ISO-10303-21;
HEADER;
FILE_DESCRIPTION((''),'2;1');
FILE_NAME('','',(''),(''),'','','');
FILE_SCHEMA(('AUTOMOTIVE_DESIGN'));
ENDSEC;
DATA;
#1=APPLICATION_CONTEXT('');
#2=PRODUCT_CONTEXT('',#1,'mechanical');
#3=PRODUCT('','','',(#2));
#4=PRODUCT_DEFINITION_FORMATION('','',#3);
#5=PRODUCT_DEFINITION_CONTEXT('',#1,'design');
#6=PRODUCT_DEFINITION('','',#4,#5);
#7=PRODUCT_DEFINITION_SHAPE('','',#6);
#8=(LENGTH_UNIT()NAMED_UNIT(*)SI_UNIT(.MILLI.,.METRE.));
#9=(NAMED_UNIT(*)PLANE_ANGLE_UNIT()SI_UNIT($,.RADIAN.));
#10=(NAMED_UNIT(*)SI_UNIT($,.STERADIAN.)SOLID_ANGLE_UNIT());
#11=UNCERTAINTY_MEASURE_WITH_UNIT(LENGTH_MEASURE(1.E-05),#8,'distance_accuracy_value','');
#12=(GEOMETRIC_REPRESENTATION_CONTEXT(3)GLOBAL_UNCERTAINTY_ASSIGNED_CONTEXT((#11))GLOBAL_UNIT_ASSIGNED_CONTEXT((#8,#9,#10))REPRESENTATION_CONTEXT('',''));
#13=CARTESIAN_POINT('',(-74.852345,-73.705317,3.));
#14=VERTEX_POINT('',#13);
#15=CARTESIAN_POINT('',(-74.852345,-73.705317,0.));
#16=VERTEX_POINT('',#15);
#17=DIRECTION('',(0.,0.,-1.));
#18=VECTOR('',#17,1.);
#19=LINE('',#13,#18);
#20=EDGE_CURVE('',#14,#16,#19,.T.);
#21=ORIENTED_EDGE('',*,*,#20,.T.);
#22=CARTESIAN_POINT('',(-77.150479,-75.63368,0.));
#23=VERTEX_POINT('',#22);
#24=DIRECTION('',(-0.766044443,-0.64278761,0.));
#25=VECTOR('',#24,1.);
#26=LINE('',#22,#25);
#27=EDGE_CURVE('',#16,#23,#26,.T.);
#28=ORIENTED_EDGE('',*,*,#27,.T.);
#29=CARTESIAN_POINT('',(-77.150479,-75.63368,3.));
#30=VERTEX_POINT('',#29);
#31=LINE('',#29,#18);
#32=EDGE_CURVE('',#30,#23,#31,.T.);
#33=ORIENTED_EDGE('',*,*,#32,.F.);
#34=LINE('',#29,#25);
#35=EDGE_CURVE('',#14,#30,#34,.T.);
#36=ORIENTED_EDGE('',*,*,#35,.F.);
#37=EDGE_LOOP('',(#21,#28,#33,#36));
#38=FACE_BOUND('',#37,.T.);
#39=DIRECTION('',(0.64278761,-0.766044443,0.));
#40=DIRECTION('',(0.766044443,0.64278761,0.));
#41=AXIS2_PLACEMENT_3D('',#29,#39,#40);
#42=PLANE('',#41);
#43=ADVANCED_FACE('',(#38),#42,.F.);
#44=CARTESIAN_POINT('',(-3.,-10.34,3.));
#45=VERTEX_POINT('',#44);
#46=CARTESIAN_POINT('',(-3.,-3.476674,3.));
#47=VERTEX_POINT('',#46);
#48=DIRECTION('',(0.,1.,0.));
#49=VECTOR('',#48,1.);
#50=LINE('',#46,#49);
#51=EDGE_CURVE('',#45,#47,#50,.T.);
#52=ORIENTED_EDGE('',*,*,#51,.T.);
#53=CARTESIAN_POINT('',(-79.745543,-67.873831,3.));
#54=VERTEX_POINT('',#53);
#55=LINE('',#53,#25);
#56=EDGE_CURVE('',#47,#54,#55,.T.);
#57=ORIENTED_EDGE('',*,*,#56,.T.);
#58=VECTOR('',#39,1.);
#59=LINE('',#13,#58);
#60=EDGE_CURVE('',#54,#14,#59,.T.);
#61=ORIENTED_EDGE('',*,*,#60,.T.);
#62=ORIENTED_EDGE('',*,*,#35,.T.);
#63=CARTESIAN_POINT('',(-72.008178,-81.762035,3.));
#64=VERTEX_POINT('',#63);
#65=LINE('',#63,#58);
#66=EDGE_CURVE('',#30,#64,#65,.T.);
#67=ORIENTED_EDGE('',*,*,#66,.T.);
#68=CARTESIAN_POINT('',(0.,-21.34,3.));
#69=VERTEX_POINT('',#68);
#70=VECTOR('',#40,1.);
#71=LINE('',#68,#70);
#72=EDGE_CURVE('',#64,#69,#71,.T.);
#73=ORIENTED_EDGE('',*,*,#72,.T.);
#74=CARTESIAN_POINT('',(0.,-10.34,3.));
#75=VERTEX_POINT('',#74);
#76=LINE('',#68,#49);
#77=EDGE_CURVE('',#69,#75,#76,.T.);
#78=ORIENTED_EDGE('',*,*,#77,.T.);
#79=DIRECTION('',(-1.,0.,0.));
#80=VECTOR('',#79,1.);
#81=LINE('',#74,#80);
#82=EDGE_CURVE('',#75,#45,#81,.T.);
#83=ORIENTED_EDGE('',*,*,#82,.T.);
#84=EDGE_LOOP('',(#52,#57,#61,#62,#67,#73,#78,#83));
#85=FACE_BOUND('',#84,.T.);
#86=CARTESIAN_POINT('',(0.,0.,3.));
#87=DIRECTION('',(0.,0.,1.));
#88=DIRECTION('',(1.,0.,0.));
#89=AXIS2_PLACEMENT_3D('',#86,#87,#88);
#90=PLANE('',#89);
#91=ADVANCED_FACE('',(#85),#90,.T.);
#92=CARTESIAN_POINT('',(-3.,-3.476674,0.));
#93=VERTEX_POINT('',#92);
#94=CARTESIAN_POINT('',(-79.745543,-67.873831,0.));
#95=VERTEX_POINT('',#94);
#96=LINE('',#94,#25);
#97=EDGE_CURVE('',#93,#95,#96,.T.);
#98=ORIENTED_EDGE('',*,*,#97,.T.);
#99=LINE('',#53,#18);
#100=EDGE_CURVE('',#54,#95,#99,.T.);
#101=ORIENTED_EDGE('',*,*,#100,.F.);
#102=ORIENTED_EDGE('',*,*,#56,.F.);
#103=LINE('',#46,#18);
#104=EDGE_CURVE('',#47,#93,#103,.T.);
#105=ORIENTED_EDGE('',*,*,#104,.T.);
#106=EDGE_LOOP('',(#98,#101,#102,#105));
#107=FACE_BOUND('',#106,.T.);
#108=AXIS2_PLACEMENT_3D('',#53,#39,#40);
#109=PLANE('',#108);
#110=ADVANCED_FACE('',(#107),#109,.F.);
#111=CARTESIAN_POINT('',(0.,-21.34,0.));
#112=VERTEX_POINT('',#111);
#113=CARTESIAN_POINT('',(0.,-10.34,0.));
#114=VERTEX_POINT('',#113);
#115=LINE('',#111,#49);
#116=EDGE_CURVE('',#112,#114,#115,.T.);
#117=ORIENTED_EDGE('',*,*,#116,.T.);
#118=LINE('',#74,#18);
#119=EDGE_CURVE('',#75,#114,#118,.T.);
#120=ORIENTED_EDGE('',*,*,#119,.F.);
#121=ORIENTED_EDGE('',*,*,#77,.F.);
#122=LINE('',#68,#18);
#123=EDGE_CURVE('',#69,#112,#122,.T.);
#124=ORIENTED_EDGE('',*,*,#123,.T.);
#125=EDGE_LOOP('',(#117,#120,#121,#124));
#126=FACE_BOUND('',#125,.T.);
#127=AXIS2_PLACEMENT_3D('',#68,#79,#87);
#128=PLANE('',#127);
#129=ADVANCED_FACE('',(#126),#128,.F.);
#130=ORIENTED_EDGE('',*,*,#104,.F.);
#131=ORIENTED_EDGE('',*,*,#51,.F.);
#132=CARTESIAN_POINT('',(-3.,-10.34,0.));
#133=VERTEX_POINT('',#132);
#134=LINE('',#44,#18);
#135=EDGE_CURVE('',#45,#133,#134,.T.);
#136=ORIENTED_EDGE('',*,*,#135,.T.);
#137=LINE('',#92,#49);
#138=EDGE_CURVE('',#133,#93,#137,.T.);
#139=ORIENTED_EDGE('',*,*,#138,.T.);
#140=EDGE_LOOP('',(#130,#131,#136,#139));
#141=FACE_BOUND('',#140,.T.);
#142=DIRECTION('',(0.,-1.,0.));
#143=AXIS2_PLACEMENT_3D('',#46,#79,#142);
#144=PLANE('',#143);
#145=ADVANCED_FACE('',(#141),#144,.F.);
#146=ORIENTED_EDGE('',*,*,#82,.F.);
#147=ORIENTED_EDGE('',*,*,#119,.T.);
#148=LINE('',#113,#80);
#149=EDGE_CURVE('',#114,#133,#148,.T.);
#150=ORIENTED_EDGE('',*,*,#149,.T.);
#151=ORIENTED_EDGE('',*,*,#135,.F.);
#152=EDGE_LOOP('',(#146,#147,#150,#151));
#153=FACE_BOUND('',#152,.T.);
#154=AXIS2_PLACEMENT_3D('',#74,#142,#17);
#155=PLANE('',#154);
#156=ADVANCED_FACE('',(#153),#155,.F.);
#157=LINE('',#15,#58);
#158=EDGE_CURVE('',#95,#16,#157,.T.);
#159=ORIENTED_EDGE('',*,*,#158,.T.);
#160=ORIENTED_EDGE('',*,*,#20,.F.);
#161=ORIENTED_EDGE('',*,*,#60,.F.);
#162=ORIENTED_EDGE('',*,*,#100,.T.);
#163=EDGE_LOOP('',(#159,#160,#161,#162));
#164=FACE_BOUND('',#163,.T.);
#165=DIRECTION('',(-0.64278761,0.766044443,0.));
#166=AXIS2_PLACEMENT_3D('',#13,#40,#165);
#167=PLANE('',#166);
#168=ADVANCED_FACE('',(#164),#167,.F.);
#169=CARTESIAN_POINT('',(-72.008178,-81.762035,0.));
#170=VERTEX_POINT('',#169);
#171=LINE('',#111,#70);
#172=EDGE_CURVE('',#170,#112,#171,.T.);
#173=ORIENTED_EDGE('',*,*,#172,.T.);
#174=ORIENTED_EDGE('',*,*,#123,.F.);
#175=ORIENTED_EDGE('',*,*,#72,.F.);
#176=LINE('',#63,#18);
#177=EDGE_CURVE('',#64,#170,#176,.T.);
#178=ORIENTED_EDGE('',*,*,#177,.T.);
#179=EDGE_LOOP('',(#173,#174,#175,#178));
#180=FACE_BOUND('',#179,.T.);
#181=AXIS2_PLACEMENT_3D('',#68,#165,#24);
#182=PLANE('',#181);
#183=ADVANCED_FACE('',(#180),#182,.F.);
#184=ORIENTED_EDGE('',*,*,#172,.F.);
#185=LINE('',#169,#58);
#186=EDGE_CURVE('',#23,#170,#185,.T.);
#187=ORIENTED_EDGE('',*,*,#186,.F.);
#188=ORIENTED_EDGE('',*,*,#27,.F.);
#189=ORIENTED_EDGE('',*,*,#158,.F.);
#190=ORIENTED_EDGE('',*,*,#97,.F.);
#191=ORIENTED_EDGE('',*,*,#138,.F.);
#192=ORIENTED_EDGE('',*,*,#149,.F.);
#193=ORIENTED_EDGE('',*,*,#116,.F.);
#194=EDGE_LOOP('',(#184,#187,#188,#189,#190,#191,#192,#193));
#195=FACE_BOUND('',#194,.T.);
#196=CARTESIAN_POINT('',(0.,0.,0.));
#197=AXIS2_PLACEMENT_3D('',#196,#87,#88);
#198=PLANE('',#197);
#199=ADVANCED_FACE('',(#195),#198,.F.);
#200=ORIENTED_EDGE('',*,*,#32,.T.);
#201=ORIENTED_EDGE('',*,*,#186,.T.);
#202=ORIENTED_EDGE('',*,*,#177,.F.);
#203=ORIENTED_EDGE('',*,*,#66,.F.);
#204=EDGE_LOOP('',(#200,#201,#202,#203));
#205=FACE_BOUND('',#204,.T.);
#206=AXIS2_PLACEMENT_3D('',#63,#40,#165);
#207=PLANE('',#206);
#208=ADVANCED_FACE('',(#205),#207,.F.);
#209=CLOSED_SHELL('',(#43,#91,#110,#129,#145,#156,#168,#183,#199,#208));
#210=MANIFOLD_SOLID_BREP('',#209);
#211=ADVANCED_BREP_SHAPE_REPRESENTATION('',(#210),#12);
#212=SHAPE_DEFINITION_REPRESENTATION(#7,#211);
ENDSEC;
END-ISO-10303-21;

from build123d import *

# Parameters (mm, degrees)
SALIENTE_EXTRUIR1_DEPTH = 3


with BuildPart() as part:
    # Croquis1 → Saliente-Extruir1 (new body)
    with BuildSketch(Plane.XY):
        Polygon((0, -21.34), (-72.008177653, -81.762035311), (-77.150478531, -75.633679766), (-74.852345201, -73.705316937), (-79.745543249, -67.873830584), (-3, -3.476673549), (-3, -10.34), (0, -10.34), align=None)
    extrude(amount=SALIENTE_EXTRUIR1_DEPTH)


solid = part.part
